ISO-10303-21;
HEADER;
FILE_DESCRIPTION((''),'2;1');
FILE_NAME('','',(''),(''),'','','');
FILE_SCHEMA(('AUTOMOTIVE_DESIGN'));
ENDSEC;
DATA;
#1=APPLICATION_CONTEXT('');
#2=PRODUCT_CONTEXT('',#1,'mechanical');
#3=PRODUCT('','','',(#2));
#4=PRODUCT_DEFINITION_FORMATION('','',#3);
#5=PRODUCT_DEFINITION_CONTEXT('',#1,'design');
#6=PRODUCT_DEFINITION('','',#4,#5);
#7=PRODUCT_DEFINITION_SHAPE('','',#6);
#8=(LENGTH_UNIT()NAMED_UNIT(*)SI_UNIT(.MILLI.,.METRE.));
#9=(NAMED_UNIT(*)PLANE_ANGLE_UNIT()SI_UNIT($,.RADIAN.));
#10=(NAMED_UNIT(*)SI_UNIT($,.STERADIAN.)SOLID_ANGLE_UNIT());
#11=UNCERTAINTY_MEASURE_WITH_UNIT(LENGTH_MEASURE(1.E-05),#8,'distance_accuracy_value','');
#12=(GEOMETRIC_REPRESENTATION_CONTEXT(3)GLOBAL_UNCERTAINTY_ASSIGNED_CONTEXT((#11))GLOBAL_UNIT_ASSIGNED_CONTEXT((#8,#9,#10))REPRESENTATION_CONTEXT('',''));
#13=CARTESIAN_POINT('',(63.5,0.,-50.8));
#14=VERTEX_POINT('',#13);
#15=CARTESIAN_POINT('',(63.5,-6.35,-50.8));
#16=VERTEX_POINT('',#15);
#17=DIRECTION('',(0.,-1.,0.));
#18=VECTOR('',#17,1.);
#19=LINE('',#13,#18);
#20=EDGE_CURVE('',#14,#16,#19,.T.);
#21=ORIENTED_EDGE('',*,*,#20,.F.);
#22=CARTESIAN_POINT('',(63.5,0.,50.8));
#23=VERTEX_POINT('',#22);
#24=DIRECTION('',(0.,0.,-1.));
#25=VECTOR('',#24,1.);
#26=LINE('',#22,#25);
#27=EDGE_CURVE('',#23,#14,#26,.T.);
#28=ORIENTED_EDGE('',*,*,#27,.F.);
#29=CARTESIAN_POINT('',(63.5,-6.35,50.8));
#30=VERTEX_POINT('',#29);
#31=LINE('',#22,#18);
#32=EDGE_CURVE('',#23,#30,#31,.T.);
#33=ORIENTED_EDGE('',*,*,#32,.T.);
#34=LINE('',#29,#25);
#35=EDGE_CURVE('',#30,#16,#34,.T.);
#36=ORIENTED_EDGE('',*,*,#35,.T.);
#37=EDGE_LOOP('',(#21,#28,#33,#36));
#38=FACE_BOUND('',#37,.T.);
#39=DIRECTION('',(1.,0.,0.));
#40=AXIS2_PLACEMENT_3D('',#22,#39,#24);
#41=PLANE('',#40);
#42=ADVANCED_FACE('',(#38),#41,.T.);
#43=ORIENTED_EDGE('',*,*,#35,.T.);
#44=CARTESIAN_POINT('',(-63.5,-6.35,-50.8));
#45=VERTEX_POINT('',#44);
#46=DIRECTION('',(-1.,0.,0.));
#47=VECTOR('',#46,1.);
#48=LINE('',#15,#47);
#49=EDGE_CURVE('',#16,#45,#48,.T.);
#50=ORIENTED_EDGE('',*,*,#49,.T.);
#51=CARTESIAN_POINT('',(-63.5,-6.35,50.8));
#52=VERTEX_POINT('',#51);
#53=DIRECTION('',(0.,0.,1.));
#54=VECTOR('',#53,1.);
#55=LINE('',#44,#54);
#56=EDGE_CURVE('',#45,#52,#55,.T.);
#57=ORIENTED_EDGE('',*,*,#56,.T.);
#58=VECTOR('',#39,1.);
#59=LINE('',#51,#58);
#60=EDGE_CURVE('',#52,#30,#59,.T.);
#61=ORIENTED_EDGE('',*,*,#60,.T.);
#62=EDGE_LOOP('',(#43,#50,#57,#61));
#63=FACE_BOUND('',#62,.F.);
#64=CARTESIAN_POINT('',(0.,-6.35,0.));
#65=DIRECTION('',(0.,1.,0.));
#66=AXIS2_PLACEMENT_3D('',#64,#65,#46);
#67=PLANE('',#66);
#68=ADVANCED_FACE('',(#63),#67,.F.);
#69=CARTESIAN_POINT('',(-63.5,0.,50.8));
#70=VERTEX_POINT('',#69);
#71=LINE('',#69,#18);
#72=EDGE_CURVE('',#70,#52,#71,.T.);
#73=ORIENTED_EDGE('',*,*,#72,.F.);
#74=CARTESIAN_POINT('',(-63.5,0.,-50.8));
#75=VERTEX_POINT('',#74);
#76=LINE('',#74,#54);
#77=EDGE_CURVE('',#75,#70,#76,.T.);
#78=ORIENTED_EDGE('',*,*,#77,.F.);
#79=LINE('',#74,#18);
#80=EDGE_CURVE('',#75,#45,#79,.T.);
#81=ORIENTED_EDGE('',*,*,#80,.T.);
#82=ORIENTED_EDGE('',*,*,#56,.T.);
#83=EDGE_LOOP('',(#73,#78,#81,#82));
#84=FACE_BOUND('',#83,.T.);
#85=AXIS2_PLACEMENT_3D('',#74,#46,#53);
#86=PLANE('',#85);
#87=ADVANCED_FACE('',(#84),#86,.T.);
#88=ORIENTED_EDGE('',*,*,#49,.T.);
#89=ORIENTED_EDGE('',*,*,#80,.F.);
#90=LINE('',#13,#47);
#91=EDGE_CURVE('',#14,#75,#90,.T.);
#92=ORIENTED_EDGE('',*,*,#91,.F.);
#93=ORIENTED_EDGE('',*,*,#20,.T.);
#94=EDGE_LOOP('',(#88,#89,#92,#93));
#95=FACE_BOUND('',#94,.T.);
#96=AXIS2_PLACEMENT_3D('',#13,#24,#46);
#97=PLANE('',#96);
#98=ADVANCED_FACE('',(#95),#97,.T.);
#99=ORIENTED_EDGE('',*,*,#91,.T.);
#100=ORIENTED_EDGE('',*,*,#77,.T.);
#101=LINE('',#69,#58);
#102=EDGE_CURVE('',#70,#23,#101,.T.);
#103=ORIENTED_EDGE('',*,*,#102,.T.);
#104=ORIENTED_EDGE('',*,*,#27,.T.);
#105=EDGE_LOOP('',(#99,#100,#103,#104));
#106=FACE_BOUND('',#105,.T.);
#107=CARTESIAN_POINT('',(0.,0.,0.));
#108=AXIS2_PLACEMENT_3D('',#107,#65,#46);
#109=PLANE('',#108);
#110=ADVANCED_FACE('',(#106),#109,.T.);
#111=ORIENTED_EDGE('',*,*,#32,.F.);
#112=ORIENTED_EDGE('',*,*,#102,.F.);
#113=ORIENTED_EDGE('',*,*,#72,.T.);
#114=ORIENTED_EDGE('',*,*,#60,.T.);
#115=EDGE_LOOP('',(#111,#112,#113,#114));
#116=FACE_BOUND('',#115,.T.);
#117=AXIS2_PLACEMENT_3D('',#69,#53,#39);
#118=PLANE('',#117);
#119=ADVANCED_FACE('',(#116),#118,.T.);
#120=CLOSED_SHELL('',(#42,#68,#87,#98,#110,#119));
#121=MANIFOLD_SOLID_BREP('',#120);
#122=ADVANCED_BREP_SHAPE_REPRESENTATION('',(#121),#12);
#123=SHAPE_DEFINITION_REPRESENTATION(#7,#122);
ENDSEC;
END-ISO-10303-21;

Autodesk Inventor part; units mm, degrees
ref_plane "XZ Plane" through (0, 0, 0) normal (0, 1, 0) x (-1, 0, 0)
ref_plane "XY Plane" through (0, 0, 0) normal (0, 0, 1) x (1, 0, 0)
sketch "Sketch1" plane through (0, 0, 0) normal (0, 1, 0) x (-1, 0, 0)
  line L0 (63.5, 50.8) -> (-63.5, 50.8)
  line L1 (-63.5, 50.8) -> (-63.5, -50.8)
  line L2 (-63.5, -50.8) -> (63.5, -50.8)
  line L3 (63.5, -50.8) -> (63.5, 50.8)
  line L4 (63.5, 50.8) -> (-63.5, -50.8) construction
  line L5 (-63.5, 50.8) -> (63.5, -50.8) construction
  point P0 (0, 0)
  dimension "d3" = 101.6
  dimension "d13" = 127
extrude "Extrusion1" add sketch "Sketch1" against normal blind 6.35
properties part number "3hookFlatPlate"
